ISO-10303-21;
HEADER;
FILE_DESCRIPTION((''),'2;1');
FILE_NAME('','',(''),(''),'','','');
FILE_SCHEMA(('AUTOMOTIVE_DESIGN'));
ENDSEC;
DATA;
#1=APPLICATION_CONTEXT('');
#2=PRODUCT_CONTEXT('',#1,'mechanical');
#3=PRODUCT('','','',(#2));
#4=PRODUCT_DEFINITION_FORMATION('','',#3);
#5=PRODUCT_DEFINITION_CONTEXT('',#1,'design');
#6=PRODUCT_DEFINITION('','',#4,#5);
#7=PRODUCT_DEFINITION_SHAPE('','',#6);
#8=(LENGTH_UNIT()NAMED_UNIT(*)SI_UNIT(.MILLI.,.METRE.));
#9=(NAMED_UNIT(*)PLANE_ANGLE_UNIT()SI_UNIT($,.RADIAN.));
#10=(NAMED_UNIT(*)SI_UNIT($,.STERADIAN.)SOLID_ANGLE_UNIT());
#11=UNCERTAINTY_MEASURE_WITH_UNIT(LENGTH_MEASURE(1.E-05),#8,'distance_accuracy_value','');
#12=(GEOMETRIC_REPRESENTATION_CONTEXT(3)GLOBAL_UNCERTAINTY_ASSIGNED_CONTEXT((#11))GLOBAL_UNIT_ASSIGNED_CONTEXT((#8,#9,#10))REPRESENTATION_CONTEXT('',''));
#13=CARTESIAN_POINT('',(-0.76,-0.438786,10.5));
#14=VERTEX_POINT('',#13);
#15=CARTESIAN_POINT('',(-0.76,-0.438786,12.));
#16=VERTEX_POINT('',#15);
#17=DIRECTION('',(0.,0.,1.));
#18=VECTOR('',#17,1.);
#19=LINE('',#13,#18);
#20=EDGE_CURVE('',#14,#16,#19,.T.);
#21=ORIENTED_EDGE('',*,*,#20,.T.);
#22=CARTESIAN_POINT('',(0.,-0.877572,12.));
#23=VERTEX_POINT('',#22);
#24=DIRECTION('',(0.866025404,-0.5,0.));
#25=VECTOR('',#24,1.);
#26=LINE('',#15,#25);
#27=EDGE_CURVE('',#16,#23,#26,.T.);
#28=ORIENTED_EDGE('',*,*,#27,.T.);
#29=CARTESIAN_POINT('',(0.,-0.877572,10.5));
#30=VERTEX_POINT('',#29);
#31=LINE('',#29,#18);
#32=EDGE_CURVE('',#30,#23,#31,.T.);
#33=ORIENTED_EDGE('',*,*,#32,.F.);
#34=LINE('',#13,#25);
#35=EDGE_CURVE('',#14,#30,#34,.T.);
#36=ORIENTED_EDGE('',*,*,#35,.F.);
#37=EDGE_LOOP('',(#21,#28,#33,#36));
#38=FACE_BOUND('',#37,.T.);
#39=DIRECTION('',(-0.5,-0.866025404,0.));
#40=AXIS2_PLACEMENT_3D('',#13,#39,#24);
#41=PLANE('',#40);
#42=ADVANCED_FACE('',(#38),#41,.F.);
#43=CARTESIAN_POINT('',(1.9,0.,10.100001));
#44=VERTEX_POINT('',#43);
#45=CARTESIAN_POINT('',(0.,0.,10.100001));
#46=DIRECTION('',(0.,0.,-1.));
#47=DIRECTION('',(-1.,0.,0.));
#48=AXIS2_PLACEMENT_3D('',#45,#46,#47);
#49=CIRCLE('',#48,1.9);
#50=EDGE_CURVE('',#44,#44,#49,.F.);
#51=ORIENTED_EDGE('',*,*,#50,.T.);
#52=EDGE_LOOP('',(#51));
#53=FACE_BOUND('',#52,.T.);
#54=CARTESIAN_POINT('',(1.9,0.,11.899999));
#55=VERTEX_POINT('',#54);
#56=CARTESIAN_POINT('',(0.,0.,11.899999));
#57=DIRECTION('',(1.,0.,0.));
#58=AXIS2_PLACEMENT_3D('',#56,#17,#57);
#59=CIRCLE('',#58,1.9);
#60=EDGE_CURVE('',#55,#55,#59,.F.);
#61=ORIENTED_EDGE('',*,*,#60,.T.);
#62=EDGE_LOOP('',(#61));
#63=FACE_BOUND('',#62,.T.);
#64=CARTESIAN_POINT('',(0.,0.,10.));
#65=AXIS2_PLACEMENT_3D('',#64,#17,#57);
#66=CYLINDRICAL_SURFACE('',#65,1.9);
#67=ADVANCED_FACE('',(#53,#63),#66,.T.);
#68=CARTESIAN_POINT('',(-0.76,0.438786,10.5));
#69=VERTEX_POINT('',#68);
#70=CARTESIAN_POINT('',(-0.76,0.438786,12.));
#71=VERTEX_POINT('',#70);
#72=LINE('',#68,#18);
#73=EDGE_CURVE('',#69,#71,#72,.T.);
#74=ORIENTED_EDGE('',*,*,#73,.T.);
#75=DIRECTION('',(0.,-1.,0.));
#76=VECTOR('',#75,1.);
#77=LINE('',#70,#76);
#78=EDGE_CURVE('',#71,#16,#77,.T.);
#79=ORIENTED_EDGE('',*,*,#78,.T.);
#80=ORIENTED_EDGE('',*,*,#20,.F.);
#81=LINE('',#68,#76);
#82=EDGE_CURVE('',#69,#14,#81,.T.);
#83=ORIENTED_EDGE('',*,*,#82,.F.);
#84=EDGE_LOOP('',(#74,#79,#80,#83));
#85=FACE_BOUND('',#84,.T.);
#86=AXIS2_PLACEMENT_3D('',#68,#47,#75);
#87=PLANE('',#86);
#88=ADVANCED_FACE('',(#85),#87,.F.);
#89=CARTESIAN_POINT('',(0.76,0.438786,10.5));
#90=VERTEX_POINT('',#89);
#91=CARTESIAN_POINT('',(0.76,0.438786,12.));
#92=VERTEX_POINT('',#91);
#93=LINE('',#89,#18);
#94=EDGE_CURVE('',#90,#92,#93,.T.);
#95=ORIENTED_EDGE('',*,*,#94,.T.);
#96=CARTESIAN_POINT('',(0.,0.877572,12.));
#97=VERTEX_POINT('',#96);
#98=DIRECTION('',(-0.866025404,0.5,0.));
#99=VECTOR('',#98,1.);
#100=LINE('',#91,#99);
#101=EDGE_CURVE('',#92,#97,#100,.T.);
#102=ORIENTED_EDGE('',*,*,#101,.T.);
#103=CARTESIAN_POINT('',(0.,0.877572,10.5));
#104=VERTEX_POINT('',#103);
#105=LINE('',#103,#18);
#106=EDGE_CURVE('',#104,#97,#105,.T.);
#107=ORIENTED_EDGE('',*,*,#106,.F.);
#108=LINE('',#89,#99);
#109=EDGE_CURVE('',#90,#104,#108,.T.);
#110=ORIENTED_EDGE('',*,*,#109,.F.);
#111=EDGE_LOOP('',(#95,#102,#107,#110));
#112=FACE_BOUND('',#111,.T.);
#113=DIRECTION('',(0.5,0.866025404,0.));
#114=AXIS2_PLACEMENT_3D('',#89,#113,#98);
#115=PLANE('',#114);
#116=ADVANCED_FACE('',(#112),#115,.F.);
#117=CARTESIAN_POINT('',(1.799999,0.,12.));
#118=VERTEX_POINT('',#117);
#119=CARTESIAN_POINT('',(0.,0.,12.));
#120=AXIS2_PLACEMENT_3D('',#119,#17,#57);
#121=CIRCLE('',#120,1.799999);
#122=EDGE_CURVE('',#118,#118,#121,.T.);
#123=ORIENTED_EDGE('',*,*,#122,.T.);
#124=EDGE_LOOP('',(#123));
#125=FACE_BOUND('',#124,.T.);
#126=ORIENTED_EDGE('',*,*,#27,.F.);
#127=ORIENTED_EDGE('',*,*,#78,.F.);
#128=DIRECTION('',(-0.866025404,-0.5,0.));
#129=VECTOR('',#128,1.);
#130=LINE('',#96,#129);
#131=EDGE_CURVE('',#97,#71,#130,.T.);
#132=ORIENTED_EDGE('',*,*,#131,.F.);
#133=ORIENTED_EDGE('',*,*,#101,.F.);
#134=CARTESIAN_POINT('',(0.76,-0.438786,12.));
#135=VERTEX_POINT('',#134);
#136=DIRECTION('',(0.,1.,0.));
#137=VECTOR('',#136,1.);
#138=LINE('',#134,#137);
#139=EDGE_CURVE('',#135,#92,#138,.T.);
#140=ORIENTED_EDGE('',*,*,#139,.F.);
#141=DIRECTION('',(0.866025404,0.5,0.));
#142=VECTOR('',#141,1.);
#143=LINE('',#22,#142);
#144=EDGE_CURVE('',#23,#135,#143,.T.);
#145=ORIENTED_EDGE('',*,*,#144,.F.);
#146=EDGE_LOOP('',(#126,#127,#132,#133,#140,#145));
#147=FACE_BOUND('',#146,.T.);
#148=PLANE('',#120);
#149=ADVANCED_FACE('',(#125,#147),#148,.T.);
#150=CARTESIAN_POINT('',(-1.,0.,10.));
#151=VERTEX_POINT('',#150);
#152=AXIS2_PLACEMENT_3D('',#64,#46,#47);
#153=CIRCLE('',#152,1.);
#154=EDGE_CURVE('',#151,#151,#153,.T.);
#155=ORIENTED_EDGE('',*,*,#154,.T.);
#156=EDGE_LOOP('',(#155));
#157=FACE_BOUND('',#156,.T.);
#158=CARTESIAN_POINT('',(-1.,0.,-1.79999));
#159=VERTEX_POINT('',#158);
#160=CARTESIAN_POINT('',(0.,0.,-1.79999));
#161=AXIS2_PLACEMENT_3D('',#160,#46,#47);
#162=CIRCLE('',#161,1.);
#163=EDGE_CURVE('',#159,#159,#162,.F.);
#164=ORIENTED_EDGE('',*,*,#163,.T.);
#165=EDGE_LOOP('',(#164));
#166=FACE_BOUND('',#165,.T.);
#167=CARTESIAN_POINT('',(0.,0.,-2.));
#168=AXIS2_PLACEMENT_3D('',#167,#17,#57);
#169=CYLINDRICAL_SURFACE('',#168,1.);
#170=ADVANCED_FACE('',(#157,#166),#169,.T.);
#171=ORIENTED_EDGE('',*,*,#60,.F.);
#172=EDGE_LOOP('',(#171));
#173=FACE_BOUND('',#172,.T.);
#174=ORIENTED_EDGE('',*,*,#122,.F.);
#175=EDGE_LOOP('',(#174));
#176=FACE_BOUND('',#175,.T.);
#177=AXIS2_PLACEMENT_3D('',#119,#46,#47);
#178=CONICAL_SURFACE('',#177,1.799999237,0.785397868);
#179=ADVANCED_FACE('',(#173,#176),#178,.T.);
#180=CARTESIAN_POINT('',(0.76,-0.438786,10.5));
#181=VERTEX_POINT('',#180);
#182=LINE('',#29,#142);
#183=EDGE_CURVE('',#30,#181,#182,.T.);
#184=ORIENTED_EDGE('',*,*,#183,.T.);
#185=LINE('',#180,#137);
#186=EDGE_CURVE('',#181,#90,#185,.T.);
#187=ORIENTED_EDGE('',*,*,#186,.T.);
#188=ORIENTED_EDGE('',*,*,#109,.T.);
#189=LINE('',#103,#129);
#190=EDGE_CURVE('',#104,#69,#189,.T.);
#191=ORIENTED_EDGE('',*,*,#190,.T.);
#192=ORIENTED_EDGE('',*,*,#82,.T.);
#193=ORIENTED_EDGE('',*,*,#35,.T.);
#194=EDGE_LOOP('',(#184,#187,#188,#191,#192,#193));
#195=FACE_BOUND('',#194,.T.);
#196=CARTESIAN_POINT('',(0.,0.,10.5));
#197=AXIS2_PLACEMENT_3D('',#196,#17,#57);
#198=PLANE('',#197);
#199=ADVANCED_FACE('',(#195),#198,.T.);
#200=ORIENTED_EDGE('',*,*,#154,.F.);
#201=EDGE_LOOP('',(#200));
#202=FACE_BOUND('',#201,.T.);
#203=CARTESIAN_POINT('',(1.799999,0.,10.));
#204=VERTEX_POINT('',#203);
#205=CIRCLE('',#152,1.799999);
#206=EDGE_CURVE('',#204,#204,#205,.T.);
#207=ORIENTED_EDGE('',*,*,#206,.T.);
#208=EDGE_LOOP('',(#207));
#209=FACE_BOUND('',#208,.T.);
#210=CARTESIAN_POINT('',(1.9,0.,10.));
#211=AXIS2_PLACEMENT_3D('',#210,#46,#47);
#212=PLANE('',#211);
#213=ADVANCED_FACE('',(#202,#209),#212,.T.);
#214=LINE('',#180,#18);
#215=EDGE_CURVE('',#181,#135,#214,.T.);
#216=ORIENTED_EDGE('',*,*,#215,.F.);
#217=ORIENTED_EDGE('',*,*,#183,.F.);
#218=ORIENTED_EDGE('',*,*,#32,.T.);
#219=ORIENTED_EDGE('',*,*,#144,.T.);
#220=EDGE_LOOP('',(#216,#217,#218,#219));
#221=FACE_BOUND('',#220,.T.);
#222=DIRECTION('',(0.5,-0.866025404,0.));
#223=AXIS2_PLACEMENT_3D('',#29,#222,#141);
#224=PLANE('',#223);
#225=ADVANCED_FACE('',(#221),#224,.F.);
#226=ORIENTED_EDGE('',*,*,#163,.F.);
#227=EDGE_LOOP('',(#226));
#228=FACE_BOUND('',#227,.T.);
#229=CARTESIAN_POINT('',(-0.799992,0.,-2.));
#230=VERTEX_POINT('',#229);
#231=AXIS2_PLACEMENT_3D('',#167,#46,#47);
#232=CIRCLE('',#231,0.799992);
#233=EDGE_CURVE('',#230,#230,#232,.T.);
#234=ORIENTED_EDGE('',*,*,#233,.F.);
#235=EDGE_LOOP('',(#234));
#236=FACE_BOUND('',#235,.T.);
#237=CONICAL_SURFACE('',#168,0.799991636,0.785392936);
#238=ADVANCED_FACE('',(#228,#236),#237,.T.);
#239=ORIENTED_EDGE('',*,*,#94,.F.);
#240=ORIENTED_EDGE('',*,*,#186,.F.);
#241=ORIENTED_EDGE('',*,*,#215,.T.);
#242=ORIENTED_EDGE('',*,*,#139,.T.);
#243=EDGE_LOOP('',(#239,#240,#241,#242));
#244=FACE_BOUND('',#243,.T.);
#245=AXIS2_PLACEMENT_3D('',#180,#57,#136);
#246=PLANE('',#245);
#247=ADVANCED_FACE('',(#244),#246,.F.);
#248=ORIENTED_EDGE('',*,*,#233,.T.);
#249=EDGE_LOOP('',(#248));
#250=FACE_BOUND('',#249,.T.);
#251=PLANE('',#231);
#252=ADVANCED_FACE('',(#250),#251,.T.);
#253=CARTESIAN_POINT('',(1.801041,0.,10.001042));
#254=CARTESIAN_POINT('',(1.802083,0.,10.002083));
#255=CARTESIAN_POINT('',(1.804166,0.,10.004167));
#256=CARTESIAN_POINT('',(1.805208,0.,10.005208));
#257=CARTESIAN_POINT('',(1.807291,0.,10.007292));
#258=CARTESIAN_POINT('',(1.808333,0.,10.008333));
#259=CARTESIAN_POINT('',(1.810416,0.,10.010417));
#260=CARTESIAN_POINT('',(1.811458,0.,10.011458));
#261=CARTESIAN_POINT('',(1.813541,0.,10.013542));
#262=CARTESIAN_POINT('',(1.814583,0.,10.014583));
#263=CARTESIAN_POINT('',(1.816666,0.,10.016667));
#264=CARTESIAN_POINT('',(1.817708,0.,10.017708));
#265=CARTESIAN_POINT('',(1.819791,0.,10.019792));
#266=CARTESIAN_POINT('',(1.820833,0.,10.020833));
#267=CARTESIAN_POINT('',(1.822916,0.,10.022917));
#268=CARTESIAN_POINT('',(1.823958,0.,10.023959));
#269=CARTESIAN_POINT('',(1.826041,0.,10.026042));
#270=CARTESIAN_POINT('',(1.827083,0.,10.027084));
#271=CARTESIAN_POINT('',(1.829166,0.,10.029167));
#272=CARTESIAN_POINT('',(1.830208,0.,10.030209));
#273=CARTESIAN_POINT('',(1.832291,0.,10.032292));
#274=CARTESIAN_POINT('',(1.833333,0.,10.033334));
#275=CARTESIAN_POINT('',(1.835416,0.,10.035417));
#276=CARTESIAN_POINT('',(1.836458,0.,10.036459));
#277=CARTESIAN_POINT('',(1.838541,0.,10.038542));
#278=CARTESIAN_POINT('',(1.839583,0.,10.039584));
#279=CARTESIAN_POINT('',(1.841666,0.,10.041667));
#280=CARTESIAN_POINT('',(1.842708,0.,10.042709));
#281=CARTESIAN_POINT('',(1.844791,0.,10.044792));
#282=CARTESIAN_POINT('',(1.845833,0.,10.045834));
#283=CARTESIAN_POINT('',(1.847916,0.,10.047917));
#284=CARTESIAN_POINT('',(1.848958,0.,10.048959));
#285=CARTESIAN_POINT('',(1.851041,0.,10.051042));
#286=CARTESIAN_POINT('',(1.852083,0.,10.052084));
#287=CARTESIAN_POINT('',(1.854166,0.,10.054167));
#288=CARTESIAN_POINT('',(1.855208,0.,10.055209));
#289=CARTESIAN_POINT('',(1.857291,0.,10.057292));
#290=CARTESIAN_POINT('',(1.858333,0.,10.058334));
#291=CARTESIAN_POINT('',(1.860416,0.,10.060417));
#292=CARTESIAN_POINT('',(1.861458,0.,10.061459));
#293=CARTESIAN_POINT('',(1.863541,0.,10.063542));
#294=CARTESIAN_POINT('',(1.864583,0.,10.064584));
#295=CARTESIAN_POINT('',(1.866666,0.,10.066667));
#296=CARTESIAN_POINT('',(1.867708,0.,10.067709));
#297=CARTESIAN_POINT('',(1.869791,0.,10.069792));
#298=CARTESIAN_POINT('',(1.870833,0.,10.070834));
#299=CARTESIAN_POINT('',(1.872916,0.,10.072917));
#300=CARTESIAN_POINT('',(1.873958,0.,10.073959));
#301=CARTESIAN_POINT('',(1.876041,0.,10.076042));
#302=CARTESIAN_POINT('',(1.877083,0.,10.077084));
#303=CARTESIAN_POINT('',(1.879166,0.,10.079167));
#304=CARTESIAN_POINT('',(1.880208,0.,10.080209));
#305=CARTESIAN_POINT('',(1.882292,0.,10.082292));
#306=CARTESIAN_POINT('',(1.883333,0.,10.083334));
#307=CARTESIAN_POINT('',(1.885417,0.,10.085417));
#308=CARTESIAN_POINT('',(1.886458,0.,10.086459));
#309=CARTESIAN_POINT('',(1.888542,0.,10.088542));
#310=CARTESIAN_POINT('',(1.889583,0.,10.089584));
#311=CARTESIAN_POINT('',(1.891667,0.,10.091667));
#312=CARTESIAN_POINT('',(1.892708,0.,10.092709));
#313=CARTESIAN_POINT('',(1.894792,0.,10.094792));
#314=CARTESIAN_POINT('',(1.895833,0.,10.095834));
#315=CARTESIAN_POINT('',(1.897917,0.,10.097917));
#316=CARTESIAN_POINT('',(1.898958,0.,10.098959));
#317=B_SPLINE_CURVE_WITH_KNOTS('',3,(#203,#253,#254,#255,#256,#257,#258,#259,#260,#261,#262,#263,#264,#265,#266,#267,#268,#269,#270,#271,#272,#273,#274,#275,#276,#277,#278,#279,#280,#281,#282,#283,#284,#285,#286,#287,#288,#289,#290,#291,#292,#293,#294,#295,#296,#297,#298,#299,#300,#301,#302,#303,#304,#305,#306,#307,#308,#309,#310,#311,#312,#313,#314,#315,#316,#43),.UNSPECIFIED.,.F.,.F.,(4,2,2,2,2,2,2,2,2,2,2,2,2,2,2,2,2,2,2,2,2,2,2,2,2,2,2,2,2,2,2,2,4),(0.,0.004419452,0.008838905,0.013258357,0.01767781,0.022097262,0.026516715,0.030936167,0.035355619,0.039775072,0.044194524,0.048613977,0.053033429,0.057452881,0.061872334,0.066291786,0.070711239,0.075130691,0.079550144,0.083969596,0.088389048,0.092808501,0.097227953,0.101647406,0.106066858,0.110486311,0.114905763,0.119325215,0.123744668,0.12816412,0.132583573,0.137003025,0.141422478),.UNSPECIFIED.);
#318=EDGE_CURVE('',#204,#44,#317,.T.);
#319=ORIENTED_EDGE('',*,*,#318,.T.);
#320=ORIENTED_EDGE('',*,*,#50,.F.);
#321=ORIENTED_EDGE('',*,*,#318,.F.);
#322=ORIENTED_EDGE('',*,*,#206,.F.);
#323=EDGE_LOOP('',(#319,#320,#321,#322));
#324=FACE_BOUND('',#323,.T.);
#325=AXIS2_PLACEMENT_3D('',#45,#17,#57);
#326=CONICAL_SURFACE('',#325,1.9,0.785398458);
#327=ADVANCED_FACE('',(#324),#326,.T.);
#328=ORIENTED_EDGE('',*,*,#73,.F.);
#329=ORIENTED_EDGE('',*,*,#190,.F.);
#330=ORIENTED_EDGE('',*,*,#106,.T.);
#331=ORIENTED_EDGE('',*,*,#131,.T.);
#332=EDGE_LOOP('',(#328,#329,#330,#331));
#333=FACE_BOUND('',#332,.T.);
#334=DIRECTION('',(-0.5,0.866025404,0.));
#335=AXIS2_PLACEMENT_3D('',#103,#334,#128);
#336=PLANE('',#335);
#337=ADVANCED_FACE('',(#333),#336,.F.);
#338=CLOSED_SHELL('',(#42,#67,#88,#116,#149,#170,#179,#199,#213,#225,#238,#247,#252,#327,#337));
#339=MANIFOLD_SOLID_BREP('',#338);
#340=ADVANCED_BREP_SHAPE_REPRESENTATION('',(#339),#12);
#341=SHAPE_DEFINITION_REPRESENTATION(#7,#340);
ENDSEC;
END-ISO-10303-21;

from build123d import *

# Parameters (mm, degrees)
SKETCH_1_W          = 1.9
SKETCH_1_H          = 2
SKETCH_2_R          = 1
EXTRUDE_1_DEPTH     = 12
CUT_EXTRUDE_1_DEPTH = 1.5
CHAMFER_1_SIZE2     = 0.100000822
CHAMFER_1_SIZE      = 0.100000763
CHAMFER_2_SIZE      = 0.200008364
CHAMFER_2_SIZE2     = 0.200010455


with BuildPart() as part:
    # 草图1 → 旋转1 (revolve)
    with BuildSketch(Plane(origin=(0, 0, 0), x_dir=(1, 0, 0), z_dir=(0, 1, 0))):
        with Locations((0.95, -11)):
            Rectangle(SKETCH_1_W, SKETCH_1_H)
    revolve(axis=Axis((0, 0, 10), (0, 0, 1)))

    # 草图2 → 凸台-拉伸1 (add)
    with BuildSketch(Plane(origin=(0, 0, 10), x_dir=(-1, 0, 0), z_dir=(0, 0, -1))):
        Circle(SKETCH_2_R)
    extrude(amount=EXTRUDE_1_DEPTH)

    # 草图3 → 切除-拉伸1 (cut)
    with BuildSketch(Plane.XY.offset(12)):
        Polygon((-0.76, -0.438786205), (0, -0.877572409), (0.76, -0.438786205), (0.76, 0.438786205), (0, 0.877572409), (-0.76, 0.438786205), align=None)
    extrude(amount=-CUT_EXTRUDE_1_DEPTH, mode=Mode.SUBTRACT)

    # 倒角1
    chamfer_1_edges = [part.edges().sort_by_distance(p)[0] for p in [
        (-1.9, 0, 12),
        (-1.9, 0, 10),
    ]]
    chamfer(chamfer_1_edges, length=CHAMFER_1_SIZE, length2=CHAMFER_1_SIZE2)

    # 倒角2
    chamfer_2_edges = [part.edges().sort_by_distance(p)[0] for p in [
        (1, 0, -2),
    ]]
    chamfer_2_side = [part.faces().sort_by_distance(p)[0] for p in [
        (1, 0, 4),
    ]]
    chamfer(chamfer_2_edges, length=CHAMFER_2_SIZE, length2=CHAMFER_2_SIZE2, reference=chamfer_2_side[0])


solid = part.part
